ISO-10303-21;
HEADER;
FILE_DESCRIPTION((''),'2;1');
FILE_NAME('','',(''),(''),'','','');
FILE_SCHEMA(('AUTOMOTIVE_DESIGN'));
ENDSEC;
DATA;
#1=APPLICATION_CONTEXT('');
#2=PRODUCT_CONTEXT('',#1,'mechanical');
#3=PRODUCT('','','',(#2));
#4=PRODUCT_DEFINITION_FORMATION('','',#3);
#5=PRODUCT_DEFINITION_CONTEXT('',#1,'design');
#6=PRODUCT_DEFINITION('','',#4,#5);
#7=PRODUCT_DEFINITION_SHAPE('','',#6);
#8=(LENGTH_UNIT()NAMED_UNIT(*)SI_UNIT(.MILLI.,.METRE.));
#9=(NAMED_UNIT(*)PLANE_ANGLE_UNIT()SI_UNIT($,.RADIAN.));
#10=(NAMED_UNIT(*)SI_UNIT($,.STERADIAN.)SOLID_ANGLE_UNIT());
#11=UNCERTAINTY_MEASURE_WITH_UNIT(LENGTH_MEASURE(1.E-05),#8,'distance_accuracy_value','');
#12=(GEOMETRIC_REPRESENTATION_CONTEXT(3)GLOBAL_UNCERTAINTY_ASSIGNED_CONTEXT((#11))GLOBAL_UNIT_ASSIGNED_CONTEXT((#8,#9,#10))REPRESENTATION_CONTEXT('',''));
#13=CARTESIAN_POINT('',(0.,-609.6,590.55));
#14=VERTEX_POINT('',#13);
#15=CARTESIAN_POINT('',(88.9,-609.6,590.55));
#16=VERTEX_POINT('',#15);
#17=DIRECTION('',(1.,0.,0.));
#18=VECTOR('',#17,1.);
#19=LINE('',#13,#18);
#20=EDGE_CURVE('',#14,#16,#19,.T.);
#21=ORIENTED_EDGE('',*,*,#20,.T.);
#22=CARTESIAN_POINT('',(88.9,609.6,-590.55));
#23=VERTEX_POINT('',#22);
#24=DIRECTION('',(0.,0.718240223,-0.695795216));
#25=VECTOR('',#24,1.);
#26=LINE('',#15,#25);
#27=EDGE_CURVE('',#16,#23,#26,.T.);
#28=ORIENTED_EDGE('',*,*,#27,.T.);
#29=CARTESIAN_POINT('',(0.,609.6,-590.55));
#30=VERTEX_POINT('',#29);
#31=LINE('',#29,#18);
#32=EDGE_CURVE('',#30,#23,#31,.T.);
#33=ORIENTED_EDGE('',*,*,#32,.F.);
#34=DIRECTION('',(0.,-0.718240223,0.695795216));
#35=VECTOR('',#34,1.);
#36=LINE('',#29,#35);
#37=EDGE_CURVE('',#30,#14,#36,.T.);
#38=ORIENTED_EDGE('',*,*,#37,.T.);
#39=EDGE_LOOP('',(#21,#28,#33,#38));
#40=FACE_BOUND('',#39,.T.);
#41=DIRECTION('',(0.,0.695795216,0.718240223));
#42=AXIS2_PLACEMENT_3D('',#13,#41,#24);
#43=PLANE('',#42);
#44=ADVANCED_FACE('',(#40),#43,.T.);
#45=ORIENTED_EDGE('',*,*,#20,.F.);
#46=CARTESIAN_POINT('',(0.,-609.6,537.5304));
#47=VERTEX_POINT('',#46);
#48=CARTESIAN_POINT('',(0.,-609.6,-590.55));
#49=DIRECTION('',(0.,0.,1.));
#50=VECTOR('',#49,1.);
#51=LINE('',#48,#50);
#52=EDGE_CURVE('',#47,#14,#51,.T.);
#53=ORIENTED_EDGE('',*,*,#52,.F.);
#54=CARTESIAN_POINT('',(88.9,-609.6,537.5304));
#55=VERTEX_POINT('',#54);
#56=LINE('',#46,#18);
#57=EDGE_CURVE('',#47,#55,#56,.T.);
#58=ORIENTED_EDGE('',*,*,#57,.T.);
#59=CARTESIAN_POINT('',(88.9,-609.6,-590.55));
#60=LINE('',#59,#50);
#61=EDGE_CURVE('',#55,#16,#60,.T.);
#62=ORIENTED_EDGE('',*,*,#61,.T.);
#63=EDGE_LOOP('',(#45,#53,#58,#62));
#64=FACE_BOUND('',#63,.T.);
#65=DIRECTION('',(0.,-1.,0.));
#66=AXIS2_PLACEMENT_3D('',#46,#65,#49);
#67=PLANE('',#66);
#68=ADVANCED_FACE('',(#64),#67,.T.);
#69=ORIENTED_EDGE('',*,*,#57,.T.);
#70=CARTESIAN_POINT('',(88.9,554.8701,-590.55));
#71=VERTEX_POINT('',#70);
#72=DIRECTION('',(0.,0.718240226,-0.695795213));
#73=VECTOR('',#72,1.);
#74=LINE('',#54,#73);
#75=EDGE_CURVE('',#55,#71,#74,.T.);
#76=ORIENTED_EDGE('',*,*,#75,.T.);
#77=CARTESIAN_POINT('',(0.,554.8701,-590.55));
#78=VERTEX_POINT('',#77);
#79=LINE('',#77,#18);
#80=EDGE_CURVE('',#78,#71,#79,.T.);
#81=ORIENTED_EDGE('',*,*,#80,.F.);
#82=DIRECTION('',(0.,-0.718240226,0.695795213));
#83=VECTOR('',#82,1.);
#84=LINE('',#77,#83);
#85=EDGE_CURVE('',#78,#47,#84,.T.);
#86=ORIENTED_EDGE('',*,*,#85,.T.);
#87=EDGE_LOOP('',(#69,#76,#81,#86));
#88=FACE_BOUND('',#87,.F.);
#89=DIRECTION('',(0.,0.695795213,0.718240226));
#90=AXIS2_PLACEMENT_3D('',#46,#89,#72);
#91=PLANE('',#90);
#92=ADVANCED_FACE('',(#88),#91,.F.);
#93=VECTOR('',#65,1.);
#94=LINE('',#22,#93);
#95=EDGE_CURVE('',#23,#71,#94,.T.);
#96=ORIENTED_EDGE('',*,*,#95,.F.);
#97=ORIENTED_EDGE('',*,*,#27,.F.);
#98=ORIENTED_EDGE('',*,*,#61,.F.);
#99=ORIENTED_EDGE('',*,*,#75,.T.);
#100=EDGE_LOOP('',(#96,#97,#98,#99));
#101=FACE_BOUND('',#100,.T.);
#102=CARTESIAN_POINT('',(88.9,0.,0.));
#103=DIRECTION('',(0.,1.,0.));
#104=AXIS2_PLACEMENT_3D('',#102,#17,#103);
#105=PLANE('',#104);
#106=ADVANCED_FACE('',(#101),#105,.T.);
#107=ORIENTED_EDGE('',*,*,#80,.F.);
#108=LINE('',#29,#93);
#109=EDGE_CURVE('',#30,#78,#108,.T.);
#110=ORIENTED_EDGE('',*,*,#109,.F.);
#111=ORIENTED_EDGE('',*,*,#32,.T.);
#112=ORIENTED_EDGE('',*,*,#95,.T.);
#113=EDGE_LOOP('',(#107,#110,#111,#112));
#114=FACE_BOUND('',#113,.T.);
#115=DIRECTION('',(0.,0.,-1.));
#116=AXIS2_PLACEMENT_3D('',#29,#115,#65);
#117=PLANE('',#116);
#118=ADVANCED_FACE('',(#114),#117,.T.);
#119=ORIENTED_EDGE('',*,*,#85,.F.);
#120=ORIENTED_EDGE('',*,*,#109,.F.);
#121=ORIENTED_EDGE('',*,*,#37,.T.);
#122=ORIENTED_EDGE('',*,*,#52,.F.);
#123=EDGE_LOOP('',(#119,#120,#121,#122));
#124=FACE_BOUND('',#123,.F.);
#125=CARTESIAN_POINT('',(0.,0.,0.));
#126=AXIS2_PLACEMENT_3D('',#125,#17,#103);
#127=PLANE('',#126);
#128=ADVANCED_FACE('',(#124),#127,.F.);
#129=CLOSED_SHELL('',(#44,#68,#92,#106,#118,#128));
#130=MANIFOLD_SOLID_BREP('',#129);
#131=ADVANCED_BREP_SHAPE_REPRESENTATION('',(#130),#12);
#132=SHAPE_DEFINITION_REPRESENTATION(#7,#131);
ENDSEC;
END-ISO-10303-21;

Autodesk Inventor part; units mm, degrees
ref_plane "YZ Plane" through (0, 0, 0) normal (1, 0, 0) x (0, 1, 0)
ref_plane "XZ Plane" through (0, 0, 0) normal (0, 1, 0) x (-1, 0, 0)
ref_plane "XY Plane" through (0, 0, 0) normal (0, 0, 1) x (1, 0, 0)
sketch "Sketch1" plane through (0, 0, 0) normal (1, 0, 0) x (0, 1, 0)
  line L0 (-609.6, 590.55) -> (609.6, 590.55)
  line L1 (609.6, 590.55) -> (609.6, -590.55)
  line L2 (609.6, -590.55) -> (-609.6, -590.55)
  line L3 (-609.6, -590.55) -> (-609.6, 590.55)
  line L4 (-609.6, 590.55) -> (609.6, -590.55) construction
  line L5 (609.6, 590.55) -> (-609.6, -590.55) construction
  line L6 (-609.6, 590.55) -> (609.6, -590.55)
  line L7 (0, 0) -> (-27.365, -26.5098)
  line L8 (-609.6, 537.5304) -> (554.8701, -590.55)
  dimension "d0" = 1219.2
  dimension "d1" = 1181.1
  dimension "d2" = 38.1
extrude "Extrusion1" add sketch "Sketch1" along normal blind 88.9 contours L6 L7 L8 L3 | L6 L2 L8 L7
properties part number "S_2x4x66.83"
